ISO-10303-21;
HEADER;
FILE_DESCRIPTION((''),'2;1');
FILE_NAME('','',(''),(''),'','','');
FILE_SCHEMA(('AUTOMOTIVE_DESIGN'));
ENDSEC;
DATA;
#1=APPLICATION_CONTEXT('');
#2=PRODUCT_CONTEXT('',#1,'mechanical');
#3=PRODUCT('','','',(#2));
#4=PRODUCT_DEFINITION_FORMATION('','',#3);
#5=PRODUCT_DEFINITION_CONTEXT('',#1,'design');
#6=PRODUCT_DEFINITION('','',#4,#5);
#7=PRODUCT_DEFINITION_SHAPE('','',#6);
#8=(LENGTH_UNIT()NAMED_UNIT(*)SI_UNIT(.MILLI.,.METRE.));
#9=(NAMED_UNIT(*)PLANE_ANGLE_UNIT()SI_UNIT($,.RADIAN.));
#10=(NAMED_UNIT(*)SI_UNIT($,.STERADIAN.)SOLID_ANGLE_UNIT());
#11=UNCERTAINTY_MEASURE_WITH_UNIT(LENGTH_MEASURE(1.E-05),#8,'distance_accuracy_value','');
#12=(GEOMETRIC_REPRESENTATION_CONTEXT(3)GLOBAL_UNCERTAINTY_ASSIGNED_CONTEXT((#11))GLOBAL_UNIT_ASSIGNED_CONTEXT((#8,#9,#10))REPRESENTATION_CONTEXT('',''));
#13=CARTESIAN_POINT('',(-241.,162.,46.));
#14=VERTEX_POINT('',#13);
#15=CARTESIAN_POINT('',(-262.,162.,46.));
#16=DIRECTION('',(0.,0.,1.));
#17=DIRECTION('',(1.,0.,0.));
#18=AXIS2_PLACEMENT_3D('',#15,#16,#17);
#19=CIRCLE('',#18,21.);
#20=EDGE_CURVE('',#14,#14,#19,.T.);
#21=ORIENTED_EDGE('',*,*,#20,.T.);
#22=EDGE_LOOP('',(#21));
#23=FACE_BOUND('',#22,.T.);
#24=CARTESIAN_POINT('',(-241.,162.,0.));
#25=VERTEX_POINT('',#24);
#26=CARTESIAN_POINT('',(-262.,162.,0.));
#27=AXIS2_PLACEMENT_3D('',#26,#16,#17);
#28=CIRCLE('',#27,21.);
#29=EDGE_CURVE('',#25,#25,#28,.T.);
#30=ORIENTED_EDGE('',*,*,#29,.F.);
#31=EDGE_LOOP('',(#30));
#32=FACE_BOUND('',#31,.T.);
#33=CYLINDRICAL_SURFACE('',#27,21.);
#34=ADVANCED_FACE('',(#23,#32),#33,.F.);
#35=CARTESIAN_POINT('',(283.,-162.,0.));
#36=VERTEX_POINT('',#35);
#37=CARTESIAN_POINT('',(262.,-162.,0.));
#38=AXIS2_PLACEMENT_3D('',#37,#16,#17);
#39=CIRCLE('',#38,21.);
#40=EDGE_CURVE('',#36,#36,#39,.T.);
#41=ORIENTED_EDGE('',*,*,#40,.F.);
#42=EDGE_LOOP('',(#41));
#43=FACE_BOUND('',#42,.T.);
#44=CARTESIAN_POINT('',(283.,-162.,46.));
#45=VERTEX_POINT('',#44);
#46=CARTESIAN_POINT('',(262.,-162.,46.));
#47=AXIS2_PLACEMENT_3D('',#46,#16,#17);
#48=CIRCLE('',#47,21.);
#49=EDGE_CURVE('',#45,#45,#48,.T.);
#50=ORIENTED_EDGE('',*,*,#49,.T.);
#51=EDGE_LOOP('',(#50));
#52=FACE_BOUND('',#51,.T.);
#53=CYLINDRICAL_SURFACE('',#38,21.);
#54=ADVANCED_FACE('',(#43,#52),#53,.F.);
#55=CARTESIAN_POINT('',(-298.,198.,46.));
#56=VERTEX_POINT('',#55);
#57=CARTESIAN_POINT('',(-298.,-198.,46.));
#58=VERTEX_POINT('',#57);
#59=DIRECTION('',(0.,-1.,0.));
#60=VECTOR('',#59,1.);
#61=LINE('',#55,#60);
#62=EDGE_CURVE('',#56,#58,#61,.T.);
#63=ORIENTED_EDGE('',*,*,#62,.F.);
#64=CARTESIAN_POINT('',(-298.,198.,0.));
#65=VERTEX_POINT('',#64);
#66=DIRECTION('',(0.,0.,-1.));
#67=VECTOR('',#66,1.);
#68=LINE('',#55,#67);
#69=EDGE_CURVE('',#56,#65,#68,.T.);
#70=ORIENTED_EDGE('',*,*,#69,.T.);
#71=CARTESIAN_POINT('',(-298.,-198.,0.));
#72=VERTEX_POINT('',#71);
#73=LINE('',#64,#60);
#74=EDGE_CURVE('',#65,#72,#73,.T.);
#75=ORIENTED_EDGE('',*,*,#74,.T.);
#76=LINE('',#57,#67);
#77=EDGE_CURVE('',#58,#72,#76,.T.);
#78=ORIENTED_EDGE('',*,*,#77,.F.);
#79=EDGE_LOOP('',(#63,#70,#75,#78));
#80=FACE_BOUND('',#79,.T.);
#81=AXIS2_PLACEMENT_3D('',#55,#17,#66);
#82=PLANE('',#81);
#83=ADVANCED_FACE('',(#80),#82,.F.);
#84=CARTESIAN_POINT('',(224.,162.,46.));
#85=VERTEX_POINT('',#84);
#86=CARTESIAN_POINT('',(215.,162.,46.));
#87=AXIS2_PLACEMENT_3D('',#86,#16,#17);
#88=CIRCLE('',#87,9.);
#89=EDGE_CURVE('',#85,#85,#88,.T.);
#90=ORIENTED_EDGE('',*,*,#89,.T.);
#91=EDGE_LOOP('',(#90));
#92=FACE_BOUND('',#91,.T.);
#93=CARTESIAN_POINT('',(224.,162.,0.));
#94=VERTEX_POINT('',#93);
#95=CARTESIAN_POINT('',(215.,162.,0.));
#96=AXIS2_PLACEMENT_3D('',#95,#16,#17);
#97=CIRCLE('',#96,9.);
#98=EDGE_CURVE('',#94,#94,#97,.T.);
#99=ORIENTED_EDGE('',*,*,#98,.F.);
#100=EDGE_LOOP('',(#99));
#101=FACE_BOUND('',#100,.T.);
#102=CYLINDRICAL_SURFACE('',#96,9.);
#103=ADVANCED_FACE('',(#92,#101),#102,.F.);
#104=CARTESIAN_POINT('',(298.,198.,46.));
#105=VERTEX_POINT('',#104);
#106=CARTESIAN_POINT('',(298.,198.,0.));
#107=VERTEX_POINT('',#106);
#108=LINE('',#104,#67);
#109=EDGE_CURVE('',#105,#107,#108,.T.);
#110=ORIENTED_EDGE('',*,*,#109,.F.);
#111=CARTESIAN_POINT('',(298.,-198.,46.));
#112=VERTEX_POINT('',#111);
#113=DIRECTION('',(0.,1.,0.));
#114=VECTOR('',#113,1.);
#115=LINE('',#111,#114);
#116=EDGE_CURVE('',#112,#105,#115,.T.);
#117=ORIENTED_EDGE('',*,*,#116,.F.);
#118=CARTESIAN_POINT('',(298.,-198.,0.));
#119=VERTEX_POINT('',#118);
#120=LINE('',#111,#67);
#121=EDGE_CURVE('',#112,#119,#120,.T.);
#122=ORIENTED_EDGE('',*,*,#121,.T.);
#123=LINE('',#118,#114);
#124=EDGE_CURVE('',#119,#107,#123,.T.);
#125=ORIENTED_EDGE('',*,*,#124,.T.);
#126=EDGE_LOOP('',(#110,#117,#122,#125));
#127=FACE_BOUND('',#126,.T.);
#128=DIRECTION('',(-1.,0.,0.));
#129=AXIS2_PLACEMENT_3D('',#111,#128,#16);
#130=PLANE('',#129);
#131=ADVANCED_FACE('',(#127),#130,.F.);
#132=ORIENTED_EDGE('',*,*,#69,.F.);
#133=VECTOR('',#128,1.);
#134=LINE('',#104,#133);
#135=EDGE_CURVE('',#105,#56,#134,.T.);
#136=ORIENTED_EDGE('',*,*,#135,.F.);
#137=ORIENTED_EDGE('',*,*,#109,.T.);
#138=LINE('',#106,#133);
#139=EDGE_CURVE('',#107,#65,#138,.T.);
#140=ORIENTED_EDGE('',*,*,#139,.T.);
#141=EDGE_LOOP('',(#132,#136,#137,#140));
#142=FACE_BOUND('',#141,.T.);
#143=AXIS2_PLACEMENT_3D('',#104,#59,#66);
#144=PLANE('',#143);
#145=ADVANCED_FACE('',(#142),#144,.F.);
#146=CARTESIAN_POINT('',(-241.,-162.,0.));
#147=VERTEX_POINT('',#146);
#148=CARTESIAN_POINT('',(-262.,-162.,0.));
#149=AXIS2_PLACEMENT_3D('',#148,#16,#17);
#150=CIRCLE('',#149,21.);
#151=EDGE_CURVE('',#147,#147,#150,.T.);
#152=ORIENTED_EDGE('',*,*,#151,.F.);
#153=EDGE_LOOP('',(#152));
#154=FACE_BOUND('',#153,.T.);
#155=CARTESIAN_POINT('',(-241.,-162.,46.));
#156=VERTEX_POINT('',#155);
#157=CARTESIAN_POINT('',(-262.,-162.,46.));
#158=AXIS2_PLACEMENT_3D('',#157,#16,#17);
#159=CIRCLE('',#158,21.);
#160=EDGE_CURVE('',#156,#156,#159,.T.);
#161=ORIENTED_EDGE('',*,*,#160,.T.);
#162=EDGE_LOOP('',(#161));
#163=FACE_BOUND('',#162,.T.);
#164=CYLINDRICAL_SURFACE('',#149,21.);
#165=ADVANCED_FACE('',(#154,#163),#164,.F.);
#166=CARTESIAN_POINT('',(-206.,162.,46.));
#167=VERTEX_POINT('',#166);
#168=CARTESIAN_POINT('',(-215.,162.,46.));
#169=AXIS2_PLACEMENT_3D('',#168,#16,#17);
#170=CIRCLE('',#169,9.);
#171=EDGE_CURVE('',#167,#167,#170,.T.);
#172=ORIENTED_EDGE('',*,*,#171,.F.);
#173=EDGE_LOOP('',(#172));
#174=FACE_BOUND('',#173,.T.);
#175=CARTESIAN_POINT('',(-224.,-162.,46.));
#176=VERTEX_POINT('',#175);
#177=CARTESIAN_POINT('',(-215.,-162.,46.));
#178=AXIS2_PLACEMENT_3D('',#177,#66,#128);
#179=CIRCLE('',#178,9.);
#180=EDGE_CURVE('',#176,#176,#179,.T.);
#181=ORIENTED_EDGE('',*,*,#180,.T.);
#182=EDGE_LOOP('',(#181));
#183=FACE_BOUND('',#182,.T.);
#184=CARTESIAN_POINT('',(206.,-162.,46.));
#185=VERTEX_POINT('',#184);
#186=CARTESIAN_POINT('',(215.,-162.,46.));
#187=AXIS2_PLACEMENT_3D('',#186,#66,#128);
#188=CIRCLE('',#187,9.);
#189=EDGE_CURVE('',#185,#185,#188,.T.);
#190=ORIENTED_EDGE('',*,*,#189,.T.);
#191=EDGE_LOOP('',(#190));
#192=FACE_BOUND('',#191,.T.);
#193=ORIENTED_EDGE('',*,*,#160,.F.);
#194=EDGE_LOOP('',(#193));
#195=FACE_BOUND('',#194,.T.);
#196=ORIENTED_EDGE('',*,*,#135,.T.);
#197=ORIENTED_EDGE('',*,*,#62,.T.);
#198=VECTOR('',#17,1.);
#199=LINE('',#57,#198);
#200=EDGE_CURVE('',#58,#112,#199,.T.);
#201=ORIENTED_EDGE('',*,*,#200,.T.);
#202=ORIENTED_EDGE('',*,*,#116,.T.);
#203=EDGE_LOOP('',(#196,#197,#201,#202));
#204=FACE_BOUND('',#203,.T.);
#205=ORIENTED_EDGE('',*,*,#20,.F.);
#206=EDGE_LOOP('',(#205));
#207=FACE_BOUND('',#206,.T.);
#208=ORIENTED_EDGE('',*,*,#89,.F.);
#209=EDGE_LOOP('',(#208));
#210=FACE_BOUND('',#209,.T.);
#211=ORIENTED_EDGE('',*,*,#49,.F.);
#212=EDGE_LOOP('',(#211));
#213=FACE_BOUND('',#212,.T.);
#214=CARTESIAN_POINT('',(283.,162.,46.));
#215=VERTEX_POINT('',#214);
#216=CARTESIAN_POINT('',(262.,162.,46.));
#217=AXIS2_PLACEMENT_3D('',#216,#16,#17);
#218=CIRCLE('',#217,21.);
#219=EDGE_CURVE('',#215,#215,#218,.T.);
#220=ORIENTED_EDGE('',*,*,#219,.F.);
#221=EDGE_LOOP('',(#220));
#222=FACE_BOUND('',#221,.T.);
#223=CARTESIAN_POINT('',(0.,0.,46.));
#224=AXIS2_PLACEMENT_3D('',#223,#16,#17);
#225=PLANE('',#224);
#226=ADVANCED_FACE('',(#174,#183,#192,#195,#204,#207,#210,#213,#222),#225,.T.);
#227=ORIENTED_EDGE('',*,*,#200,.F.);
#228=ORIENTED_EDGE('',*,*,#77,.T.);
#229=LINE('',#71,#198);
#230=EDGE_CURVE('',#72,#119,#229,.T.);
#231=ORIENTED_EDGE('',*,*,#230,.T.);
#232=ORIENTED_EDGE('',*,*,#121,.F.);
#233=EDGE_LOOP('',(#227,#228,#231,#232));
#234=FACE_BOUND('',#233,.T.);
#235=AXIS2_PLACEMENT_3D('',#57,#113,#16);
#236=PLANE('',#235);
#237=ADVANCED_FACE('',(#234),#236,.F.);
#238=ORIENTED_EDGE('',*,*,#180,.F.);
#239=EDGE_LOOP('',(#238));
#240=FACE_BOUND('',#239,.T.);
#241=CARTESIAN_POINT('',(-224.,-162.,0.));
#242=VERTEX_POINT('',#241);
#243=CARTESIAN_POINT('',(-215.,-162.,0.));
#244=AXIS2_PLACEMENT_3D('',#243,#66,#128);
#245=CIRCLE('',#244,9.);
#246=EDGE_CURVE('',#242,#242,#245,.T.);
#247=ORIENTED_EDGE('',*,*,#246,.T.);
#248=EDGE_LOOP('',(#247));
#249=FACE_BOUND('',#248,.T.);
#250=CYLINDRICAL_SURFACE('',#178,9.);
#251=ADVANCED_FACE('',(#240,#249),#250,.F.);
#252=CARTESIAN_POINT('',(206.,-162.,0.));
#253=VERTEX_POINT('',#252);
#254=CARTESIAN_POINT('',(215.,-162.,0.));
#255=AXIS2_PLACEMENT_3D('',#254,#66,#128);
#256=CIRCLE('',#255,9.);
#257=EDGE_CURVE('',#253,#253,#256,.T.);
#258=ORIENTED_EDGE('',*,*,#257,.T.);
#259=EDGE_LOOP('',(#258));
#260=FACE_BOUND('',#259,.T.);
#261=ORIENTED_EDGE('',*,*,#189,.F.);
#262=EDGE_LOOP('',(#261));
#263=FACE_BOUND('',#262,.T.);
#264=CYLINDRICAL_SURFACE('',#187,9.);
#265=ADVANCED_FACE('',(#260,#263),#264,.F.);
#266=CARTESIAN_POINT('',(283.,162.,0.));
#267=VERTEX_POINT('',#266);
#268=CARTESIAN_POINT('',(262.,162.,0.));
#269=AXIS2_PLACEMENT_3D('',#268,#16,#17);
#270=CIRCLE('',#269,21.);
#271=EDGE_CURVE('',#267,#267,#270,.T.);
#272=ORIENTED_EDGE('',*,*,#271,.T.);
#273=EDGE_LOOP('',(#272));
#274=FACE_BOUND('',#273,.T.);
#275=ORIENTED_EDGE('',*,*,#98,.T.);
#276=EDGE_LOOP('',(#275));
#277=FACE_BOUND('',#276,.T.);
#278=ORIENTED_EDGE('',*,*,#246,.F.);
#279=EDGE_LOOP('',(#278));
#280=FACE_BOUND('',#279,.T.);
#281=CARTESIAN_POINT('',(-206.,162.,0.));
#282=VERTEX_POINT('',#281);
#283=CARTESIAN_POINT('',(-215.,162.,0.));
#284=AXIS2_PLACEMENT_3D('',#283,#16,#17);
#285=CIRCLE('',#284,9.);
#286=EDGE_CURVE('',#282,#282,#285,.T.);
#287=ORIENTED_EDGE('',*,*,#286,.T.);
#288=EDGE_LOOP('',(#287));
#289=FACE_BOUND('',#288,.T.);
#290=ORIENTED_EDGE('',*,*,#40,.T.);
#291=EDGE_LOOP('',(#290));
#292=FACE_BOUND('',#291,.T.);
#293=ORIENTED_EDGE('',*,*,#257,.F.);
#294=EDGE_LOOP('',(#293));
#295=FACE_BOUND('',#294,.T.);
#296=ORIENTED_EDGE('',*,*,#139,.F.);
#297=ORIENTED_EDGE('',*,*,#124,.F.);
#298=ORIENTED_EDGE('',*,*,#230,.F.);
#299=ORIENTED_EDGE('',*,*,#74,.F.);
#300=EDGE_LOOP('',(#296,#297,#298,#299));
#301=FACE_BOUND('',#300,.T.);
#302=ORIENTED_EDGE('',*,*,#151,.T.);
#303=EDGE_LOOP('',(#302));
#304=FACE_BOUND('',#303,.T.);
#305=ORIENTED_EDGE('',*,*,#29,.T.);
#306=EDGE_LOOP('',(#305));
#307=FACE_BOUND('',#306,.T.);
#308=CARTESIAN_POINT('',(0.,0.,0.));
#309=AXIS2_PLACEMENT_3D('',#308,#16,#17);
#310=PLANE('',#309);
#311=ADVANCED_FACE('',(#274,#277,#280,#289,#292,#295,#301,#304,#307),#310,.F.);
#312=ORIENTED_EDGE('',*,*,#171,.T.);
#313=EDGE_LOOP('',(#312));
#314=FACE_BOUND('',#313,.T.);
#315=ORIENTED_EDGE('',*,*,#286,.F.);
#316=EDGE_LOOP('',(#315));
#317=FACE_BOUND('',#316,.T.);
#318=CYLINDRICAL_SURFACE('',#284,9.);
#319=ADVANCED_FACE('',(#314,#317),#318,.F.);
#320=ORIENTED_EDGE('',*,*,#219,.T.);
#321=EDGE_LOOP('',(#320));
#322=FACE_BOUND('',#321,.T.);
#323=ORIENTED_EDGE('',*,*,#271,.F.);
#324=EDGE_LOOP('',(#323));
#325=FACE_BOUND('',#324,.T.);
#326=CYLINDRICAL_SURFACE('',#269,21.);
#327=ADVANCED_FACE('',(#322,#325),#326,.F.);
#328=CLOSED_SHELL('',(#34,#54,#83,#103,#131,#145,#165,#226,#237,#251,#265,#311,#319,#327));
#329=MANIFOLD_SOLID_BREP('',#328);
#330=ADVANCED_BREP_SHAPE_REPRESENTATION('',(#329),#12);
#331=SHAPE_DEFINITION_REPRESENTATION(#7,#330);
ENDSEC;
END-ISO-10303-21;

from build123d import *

# Parameters (mm, degrees)
SZKIC1_W                    = 596
SZKIC1_H                    = 396
DODANIE_WYCI_GNI_CIE1_DEPTH = 46
SZKIC2_R                    = 21
WYTNIJ_WYCI_GNI_CIE1_DEPTH  = 46
SZKIC3_R                    = 21
WYTNIJ_WYCI_GNI_CIE2_DEPTH  = 46
SZKIC4_R                    = 21
WYTNIJ_WYCI_GNI_CIE3_DEPTH  = 46
SZKIC5_R                    = 21
WYTNIJ_WYCI_GNI_CIE4_DEPTH  = 46
SZKIC6_W                    = 46
SZKIC6_H                    = 9
SZKIC7_W                    = 46
SZKIC7_H                    = 9
SZKIC8_W                    = 46
SZKIC8_H                    = 9
SZKIC9_W                    = 46
SZKIC9_H                    = 9


with BuildPart() as part:
    # Szkic1 → Dodanie-wyciągnięcie1 (new body)
    with BuildSketch(Plane.XY):
        Rectangle(SZKIC1_W, SZKIC1_H)
    extrude(amount=DODANIE_WYCI_GNI_CIE1_DEPTH)

    # Szkic2 → Wytnij-wyciągnięcie1 (cut)
    with BuildSketch(Plane.XY.offset(46)):
        with Locations((262, 162)):
            Circle(SZKIC2_R)
    extrude(amount=-WYTNIJ_WYCI_GNI_CIE1_DEPTH, mode=Mode.SUBTRACT)

    # Szkic3 → Wytnij-wyciągnięcie2 (cut)
    with BuildSketch(Plane.XY.offset(46)):
        with Locations((262, -162)):
            Circle(SZKIC3_R)
    extrude(amount=-WYTNIJ_WYCI_GNI_CIE2_DEPTH, mode=Mode.SUBTRACT)

    # Szkic4 → Wytnij-wyciągnięcie3 (cut)
    with BuildSketch(Plane.XY.offset(46)):
        with Locations((-262, -162)):
            Circle(SZKIC4_R)
    extrude(amount=-WYTNIJ_WYCI_GNI_CIE3_DEPTH, mode=Mode.SUBTRACT)

    # Szkic5 → Wytnij-wyciągnięcie4 (cut)
    with BuildSketch(Plane.XY.offset(46)):
        with Locations((-262, 162)):
            Circle(SZKIC5_R)
    extrude(amount=-WYTNIJ_WYCI_GNI_CIE4_DEPTH, mode=Mode.SUBTRACT)

    # Szkic6 → Wycięcie-obrót1 (revolve, cut)
    with BuildSketch(Plane(origin=(215, 0, 0), x_dir=(0, 0, -1), z_dir=(1, 0, 0))):
        with Locations((-23, 166.5)):
            Rectangle(SZKIC6_W, SZKIC6_H)
    revolve(axis=Axis((215, 162, 0), (0, 0, 1)), mode=Mode.SUBTRACT)

    # Szkic7 → Wycięcie-obrót2 (revolve, cut)
    with BuildSketch(Plane(origin=(215, 0, 0), x_dir=(0, 0, -1), z_dir=(1, 0, 0))):
        with Locations((-23, -166.5)):
            Rectangle(SZKIC7_W, SZKIC7_H)
    revolve(axis=Axis((215, -162, 46), (0, 0, -1)), mode=Mode.SUBTRACT)

    # Szkic8 → Wycięcie-obrót3 (revolve, cut)
    with BuildSketch(Plane(origin=(-215, 0, 0), x_dir=(0, 0, -1), z_dir=(1, 0, 0))):
        with Locations((-23, 166.5)):
            Rectangle(SZKIC8_W, SZKIC8_H)
    revolve(axis=Axis((-215, 162, 0), (0, 0, 1)), mode=Mode.SUBTRACT)

    # Szkic9 → Wycięcie-obrót4 (revolve, cut)
    with BuildSketch(Plane(origin=(-215, 0, 0), x_dir=(0, 0, -1), z_dir=(1, 0, 0))):
        with Locations((-23, -166.5)):
            Rectangle(SZKIC9_W, SZKIC9_H)
    revolve(axis=Axis((-215, -162, 46), (0, 0, -1)), mode=Mode.SUBTRACT)


solid = part.part
